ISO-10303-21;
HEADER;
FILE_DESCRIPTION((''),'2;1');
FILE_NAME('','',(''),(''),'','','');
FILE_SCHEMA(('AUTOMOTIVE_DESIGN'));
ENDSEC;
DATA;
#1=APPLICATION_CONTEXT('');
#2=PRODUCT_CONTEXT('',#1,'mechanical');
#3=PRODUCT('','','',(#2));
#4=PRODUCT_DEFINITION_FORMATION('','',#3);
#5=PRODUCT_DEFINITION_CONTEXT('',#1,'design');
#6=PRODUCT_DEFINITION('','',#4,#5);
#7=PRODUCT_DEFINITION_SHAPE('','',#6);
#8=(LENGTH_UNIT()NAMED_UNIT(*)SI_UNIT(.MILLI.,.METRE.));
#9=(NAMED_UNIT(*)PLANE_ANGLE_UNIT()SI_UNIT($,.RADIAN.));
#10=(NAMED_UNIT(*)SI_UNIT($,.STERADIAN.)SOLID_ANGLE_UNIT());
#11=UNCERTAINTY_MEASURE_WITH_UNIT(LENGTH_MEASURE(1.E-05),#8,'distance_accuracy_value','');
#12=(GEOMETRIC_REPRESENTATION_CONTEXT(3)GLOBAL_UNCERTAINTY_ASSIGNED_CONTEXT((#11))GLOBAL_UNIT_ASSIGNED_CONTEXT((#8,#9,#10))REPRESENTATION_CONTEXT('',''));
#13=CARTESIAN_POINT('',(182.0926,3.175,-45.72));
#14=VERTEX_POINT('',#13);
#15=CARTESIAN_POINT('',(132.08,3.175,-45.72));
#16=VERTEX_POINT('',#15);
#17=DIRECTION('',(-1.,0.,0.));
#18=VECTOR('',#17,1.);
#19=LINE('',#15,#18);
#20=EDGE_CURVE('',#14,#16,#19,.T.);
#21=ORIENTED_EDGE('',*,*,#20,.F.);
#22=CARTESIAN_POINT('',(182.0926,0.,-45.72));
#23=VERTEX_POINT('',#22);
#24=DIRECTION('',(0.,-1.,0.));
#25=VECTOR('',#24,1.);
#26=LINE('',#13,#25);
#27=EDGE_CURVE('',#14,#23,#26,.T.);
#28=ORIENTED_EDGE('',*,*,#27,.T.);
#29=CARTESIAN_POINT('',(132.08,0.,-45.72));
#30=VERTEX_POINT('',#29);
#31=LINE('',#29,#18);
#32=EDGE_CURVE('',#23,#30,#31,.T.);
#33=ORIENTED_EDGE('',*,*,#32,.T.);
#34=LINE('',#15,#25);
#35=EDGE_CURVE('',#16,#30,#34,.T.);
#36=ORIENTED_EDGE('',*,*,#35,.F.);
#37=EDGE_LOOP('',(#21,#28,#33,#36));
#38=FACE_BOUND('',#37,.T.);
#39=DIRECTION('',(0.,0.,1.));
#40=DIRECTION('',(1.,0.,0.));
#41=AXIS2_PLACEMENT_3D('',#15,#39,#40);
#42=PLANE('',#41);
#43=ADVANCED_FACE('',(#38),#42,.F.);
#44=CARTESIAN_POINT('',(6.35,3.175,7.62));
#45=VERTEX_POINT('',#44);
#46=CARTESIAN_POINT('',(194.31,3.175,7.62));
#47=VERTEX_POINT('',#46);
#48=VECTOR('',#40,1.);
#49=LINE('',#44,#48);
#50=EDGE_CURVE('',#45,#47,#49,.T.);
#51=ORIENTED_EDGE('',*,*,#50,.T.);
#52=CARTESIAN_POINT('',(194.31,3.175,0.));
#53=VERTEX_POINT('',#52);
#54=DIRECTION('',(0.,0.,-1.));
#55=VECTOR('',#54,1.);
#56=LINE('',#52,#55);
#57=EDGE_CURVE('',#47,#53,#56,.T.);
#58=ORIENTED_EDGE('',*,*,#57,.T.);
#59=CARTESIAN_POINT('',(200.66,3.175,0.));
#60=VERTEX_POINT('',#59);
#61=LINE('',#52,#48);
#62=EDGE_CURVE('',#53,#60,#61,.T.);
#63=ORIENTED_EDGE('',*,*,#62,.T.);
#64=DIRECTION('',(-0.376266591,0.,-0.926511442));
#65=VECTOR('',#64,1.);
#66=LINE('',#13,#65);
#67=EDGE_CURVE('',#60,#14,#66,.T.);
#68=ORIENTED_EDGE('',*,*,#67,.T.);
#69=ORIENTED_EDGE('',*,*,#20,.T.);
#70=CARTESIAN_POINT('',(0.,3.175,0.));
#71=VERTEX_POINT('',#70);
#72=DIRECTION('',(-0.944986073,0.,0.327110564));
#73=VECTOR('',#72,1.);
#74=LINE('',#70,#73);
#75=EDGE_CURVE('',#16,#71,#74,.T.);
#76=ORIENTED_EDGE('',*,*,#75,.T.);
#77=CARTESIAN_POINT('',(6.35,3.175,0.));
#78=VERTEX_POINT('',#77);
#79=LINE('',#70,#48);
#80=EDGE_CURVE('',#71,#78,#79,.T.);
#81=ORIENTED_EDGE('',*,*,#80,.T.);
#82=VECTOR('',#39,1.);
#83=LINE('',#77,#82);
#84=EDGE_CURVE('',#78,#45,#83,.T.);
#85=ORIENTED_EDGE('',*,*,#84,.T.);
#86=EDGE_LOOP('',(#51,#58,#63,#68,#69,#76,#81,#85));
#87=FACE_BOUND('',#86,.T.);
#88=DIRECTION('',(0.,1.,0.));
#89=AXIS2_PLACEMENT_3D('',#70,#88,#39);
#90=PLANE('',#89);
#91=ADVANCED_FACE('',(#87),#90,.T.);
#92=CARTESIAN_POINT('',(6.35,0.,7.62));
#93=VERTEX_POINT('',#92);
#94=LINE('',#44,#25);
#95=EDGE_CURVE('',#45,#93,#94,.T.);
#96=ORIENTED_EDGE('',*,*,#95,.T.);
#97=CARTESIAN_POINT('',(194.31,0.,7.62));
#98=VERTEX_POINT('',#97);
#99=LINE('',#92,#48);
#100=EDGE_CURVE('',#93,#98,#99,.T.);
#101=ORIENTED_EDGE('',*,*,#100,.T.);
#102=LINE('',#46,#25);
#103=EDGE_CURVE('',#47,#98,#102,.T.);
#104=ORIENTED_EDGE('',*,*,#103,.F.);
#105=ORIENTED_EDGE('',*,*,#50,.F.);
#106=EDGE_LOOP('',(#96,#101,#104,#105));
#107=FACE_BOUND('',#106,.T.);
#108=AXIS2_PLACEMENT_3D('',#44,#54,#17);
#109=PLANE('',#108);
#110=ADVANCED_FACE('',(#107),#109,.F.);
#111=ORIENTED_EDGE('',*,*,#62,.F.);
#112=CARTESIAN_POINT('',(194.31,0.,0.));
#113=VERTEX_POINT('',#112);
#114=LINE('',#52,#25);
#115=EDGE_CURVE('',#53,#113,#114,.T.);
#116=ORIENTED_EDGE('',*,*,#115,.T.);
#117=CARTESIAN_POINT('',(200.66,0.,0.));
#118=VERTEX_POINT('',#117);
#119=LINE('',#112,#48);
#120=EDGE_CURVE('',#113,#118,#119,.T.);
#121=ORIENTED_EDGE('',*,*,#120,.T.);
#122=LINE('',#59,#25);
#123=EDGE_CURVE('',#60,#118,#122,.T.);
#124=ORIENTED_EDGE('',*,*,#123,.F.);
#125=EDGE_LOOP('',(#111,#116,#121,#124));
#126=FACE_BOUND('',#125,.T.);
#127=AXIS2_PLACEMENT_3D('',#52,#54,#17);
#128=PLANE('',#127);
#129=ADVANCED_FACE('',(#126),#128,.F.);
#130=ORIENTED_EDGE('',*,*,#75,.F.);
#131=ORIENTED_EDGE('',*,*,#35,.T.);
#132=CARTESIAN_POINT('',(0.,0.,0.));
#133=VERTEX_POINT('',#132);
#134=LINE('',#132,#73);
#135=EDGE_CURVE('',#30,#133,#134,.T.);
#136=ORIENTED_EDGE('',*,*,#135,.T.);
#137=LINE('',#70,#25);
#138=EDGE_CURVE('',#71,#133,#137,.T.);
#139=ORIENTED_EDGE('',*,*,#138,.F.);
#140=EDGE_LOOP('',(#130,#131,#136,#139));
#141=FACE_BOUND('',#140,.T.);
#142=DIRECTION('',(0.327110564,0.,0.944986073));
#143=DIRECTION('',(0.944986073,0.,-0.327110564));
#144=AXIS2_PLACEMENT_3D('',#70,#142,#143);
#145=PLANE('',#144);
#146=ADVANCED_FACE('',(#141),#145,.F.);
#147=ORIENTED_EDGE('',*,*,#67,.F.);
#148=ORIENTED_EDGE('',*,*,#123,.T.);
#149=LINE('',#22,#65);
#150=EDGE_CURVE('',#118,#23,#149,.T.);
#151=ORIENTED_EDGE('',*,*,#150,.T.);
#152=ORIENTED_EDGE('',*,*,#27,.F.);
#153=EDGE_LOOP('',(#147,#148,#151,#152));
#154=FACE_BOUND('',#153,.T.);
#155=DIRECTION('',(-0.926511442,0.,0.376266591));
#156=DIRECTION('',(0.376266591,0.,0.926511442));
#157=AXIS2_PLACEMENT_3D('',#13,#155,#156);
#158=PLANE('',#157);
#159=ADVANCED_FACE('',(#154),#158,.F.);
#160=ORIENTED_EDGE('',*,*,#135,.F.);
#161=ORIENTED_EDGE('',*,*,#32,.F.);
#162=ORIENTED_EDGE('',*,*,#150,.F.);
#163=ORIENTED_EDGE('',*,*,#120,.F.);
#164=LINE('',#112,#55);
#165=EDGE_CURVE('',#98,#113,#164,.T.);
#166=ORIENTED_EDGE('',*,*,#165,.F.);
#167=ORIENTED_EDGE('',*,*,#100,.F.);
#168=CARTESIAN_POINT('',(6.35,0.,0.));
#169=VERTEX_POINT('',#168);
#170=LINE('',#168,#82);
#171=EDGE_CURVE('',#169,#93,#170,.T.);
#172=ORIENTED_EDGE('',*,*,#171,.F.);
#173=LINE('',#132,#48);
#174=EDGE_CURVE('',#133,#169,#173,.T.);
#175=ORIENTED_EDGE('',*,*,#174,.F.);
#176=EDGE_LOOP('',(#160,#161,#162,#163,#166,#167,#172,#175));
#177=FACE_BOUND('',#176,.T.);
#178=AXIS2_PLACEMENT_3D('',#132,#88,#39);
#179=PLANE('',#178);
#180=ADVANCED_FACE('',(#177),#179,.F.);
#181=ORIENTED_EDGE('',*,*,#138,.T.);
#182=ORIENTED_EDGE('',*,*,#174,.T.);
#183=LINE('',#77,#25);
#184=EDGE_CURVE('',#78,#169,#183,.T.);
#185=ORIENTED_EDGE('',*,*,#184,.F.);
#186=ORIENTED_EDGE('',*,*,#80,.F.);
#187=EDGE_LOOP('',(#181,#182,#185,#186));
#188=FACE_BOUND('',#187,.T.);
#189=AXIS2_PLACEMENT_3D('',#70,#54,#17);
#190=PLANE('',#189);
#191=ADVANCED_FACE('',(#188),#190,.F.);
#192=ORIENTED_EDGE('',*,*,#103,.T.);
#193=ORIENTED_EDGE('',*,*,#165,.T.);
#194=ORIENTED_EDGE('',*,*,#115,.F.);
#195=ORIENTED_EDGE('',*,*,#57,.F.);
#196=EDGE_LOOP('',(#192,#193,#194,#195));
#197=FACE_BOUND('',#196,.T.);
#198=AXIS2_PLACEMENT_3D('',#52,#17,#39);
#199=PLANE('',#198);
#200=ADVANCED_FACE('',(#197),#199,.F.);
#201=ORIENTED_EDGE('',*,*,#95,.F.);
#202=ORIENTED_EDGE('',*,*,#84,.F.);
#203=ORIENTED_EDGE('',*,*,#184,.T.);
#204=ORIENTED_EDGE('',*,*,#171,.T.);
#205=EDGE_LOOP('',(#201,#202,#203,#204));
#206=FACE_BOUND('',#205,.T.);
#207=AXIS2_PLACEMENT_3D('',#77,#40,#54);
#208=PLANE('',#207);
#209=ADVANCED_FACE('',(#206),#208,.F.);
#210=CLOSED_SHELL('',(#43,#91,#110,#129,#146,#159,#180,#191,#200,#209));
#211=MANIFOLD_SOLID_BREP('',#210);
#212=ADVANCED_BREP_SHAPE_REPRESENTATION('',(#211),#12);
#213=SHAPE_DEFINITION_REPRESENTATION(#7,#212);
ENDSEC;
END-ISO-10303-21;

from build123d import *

# Parameters (mm, degrees)
BOSS_EXTRUDE1_DEPTH = 3.175


with BuildPart() as part:
    # Sketch1 → Boss-Extrude1 (new body)
    with BuildSketch(Plane(origin=(0, 0, 0), x_dir=(1, 0, 0), z_dir=(0, 1, 0))):
        Polygon((0, 0), (132.08, 45.72), (182.0926, 45.72), (200.66, 0), (194.31, 0), (194.31, -7.62), (6.35, -7.62), (6.35, 0), align=None)
    extrude(amount=BOSS_EXTRUDE1_DEPTH)


solid = part.part
